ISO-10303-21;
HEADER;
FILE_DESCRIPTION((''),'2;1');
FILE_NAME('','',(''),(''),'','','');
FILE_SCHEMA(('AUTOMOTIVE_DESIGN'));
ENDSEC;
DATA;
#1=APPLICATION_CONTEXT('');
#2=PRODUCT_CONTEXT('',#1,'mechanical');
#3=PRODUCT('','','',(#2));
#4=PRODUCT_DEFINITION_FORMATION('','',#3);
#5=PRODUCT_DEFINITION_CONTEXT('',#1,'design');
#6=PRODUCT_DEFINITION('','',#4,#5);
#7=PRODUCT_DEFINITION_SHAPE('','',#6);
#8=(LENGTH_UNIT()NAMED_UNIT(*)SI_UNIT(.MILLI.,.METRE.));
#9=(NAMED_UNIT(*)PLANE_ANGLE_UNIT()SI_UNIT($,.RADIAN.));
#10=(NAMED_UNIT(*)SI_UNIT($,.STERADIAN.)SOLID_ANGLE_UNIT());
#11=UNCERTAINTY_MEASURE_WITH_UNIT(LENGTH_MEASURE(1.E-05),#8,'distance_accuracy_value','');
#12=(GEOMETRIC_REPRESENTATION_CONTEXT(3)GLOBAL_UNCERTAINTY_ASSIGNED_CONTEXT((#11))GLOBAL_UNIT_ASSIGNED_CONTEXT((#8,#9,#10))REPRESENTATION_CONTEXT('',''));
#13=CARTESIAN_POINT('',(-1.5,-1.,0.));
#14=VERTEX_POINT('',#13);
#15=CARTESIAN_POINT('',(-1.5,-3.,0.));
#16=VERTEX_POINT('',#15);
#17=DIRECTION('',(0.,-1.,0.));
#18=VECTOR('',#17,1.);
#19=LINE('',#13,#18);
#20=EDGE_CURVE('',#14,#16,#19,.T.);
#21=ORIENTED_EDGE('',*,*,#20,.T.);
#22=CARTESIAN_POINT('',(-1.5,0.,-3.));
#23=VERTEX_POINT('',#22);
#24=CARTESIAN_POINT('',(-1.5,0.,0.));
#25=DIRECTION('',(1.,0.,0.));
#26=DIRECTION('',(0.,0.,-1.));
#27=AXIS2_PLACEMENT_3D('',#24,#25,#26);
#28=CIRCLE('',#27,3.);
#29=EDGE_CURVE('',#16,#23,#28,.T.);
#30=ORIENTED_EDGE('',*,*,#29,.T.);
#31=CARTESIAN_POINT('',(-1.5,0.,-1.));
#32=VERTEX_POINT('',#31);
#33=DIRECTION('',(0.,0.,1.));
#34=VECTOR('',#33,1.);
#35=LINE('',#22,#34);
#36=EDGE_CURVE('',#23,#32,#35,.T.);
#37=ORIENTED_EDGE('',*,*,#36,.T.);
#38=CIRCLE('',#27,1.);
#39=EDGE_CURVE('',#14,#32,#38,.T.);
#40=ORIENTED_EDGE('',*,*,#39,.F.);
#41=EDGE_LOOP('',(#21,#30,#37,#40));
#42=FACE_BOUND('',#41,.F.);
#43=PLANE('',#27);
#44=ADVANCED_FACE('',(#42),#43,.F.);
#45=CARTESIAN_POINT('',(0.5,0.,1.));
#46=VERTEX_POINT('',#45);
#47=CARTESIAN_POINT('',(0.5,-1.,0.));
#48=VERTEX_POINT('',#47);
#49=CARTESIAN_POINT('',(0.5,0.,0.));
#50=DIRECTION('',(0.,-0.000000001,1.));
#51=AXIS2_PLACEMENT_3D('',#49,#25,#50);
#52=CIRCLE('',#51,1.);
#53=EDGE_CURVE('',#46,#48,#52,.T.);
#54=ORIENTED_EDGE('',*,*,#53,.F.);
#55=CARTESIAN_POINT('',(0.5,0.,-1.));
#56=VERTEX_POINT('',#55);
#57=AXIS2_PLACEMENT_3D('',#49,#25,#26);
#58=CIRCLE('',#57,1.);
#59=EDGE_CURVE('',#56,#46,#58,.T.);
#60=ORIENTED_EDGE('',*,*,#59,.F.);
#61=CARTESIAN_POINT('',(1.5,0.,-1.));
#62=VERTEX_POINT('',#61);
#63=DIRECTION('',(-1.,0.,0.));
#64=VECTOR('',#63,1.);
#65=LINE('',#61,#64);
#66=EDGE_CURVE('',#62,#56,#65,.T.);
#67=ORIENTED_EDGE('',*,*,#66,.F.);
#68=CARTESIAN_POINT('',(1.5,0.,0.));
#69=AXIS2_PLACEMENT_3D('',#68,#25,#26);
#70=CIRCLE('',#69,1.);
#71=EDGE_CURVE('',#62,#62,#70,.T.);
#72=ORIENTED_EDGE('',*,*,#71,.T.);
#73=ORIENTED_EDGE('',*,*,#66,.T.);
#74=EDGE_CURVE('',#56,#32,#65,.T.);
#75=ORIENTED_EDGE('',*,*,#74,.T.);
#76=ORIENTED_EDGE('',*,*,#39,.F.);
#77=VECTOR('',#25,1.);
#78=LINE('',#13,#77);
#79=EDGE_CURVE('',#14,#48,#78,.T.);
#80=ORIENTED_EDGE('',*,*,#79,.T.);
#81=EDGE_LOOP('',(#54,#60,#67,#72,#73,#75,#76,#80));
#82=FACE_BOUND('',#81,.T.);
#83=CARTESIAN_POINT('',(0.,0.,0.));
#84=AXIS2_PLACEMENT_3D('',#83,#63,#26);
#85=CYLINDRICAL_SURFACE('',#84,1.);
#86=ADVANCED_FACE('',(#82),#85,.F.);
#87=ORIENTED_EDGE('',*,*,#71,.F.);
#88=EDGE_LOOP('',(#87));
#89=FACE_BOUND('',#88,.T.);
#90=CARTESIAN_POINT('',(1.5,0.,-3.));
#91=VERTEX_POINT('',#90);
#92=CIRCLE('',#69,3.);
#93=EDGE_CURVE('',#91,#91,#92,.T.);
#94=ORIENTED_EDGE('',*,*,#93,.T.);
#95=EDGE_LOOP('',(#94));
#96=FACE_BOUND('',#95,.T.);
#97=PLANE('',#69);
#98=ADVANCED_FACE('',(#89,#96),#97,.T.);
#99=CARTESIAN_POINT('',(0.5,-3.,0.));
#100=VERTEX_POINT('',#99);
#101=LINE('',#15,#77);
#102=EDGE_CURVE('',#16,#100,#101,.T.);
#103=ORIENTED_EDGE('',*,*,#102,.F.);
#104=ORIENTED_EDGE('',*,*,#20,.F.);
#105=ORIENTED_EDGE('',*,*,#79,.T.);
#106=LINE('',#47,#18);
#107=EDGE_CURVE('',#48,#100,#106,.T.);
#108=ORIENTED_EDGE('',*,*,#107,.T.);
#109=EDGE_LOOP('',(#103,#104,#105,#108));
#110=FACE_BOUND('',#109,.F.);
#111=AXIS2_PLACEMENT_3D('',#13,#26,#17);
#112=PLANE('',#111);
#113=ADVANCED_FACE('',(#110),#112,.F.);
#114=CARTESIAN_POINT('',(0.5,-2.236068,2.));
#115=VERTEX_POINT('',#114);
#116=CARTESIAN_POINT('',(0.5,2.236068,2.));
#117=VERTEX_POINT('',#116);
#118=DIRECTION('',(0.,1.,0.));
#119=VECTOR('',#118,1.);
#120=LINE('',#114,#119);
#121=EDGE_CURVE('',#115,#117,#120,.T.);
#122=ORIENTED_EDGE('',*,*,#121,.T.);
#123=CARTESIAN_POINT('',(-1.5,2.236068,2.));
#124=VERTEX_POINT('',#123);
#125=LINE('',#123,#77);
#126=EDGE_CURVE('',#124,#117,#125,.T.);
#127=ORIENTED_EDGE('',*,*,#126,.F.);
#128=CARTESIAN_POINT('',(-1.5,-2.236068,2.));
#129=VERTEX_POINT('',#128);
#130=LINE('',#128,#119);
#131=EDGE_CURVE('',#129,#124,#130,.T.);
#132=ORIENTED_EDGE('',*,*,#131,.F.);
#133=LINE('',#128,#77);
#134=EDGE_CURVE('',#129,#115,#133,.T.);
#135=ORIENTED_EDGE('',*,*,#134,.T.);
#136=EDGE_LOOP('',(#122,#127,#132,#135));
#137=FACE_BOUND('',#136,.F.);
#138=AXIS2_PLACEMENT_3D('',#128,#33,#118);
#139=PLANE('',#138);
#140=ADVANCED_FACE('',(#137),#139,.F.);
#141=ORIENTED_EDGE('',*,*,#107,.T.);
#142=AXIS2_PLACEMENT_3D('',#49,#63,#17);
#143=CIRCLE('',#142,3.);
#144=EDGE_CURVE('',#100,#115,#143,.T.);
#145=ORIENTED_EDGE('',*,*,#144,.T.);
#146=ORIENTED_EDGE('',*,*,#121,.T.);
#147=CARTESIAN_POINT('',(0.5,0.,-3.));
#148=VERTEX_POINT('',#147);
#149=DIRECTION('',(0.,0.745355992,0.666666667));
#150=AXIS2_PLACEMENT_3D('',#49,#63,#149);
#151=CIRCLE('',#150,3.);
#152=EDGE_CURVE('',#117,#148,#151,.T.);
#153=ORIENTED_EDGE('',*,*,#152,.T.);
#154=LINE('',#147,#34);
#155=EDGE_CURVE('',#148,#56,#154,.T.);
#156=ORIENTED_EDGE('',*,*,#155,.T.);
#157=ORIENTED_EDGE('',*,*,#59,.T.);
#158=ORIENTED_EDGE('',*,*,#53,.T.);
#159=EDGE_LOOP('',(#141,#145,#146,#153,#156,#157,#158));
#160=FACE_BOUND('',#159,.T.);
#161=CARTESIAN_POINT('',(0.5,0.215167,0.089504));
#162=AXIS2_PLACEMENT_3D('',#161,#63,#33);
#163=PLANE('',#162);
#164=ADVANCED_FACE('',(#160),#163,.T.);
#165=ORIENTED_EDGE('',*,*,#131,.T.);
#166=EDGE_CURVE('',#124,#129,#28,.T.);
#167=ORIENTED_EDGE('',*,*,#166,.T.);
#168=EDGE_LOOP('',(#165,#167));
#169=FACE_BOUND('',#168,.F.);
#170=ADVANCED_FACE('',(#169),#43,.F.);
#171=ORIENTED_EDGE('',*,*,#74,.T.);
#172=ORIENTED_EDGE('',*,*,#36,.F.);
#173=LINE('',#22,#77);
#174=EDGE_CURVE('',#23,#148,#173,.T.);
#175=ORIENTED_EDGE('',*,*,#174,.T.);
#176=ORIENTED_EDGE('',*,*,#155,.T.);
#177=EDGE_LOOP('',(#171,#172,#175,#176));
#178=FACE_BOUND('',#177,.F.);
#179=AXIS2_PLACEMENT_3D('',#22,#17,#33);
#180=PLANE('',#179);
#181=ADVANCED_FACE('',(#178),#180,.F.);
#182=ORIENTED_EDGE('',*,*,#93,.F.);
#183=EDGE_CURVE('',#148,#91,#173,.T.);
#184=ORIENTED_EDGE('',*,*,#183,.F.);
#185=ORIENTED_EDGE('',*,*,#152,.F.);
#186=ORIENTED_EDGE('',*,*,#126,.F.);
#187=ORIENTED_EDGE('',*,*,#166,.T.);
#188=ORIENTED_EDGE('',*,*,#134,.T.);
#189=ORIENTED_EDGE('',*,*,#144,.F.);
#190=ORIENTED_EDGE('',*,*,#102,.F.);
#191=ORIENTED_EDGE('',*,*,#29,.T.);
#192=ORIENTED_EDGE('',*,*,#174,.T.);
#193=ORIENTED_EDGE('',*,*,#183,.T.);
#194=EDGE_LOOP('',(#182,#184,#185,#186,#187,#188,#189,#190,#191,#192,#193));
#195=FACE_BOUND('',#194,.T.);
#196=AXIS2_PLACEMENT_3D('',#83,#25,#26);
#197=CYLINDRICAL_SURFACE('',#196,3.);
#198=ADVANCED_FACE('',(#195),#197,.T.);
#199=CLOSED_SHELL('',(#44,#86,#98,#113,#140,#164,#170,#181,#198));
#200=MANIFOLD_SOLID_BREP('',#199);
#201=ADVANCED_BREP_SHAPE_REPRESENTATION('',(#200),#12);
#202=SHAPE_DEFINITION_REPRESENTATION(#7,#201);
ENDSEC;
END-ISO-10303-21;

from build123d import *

# Parameters (mm, degrees)
SKETCH1_R           = 3
SKETCH1_R_2         = 1
BOSS_EXTRUDE1_DEPTH = 1.5
CUT_EXTRUDE1_DEPTH  = 2


with BuildPart() as part:
    # Sketch1 → Boss-Extrude1 (new body, symmetric)
    with BuildSketch(Plane(origin=(0, 0, 0), x_dir=(0, 0, -1), z_dir=(1, 0, 0))):
        Circle(SKETCH1_R)
        Circle(SKETCH1_R_2, mode=Mode.SUBTRACT)
    extrude(amount=BOSS_EXTRUDE1_DEPTH, both=True)

    # Sketch2 → Cut-Extrude1 (cut)
    with BuildSketch(Plane.ZY.offset(1.5)):
        with BuildLine():
            Line((2, -2.236067977), (2, 2.236067977))
            ThreePointArc((2, 2.236067977), (-1.224744871, 2.738612788), (-3, 0))
            Line((-3, 0), (-1, 0))
            ThreePointArc((-1, 0), (0, 1), (1, 0))
            ThreePointArc((1, 0), (0.707106781, -0.707106781), (0, -1))
            Line((0, -1), (0, -3))
            ThreePointArc((0, -3), (1.070466269, -2.802517077), (2, -2.236067977))
        make_face()
    extrude(amount=-CUT_EXTRUDE1_DEPTH, mode=Mode.SUBTRACT)


solid = part.part
